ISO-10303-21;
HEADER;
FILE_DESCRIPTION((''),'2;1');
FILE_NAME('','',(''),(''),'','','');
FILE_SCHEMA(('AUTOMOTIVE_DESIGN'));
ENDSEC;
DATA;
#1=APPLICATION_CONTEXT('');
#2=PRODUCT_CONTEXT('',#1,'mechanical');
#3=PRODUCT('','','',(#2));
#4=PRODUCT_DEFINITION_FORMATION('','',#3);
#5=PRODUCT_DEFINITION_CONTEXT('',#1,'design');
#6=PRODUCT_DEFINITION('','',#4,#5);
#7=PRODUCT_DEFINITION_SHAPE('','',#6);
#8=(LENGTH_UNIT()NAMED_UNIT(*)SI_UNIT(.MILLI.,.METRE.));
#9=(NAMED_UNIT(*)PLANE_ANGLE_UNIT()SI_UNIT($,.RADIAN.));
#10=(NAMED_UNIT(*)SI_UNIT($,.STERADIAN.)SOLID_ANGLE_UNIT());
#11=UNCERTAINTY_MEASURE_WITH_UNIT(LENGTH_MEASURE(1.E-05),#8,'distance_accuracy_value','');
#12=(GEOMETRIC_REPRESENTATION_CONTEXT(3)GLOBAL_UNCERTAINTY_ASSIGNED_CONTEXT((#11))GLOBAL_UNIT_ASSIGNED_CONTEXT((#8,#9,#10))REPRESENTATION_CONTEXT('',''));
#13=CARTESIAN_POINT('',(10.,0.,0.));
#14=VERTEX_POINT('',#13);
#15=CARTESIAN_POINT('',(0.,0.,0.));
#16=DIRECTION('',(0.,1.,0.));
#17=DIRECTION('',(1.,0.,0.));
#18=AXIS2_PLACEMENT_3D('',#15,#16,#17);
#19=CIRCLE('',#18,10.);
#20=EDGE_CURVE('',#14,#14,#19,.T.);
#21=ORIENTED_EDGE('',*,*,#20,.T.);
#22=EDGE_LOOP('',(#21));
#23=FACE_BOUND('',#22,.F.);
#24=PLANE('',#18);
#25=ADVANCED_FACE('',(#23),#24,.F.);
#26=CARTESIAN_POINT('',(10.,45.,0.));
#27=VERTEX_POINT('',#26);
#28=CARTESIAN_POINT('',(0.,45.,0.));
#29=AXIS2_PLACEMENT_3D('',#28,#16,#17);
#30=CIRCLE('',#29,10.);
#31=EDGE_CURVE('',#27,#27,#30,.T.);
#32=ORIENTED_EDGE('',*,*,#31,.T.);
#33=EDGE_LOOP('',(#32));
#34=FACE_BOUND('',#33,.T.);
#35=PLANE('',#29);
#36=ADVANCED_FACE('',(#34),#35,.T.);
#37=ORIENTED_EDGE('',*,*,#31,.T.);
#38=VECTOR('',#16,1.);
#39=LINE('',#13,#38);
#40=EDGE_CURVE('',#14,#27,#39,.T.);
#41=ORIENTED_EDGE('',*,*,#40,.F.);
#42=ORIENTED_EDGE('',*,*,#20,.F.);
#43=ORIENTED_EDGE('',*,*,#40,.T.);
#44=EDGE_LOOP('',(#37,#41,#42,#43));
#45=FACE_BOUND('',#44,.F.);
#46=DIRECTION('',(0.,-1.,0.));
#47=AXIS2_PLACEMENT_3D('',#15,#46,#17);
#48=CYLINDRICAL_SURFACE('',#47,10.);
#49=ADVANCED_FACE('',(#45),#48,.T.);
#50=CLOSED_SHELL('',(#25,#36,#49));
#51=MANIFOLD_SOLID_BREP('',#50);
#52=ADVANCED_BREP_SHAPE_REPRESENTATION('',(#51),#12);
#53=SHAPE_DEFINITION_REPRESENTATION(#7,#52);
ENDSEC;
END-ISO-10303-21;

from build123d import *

# Parameters (mm, degrees)
SKETCH1_R           = 10
BOSS_EXTRUDE1_DEPTH = 45


with BuildPart() as part:
    # Sketch1 → Boss-Extrude1 (new body)
    with BuildSketch(Plane(origin=(0, 0, 0), x_dir=(1, 0, 0), z_dir=(0, 1, 0))):
        Circle(SKETCH1_R)
    extrude(amount=BOSS_EXTRUDE1_DEPTH)


solid = part.part
